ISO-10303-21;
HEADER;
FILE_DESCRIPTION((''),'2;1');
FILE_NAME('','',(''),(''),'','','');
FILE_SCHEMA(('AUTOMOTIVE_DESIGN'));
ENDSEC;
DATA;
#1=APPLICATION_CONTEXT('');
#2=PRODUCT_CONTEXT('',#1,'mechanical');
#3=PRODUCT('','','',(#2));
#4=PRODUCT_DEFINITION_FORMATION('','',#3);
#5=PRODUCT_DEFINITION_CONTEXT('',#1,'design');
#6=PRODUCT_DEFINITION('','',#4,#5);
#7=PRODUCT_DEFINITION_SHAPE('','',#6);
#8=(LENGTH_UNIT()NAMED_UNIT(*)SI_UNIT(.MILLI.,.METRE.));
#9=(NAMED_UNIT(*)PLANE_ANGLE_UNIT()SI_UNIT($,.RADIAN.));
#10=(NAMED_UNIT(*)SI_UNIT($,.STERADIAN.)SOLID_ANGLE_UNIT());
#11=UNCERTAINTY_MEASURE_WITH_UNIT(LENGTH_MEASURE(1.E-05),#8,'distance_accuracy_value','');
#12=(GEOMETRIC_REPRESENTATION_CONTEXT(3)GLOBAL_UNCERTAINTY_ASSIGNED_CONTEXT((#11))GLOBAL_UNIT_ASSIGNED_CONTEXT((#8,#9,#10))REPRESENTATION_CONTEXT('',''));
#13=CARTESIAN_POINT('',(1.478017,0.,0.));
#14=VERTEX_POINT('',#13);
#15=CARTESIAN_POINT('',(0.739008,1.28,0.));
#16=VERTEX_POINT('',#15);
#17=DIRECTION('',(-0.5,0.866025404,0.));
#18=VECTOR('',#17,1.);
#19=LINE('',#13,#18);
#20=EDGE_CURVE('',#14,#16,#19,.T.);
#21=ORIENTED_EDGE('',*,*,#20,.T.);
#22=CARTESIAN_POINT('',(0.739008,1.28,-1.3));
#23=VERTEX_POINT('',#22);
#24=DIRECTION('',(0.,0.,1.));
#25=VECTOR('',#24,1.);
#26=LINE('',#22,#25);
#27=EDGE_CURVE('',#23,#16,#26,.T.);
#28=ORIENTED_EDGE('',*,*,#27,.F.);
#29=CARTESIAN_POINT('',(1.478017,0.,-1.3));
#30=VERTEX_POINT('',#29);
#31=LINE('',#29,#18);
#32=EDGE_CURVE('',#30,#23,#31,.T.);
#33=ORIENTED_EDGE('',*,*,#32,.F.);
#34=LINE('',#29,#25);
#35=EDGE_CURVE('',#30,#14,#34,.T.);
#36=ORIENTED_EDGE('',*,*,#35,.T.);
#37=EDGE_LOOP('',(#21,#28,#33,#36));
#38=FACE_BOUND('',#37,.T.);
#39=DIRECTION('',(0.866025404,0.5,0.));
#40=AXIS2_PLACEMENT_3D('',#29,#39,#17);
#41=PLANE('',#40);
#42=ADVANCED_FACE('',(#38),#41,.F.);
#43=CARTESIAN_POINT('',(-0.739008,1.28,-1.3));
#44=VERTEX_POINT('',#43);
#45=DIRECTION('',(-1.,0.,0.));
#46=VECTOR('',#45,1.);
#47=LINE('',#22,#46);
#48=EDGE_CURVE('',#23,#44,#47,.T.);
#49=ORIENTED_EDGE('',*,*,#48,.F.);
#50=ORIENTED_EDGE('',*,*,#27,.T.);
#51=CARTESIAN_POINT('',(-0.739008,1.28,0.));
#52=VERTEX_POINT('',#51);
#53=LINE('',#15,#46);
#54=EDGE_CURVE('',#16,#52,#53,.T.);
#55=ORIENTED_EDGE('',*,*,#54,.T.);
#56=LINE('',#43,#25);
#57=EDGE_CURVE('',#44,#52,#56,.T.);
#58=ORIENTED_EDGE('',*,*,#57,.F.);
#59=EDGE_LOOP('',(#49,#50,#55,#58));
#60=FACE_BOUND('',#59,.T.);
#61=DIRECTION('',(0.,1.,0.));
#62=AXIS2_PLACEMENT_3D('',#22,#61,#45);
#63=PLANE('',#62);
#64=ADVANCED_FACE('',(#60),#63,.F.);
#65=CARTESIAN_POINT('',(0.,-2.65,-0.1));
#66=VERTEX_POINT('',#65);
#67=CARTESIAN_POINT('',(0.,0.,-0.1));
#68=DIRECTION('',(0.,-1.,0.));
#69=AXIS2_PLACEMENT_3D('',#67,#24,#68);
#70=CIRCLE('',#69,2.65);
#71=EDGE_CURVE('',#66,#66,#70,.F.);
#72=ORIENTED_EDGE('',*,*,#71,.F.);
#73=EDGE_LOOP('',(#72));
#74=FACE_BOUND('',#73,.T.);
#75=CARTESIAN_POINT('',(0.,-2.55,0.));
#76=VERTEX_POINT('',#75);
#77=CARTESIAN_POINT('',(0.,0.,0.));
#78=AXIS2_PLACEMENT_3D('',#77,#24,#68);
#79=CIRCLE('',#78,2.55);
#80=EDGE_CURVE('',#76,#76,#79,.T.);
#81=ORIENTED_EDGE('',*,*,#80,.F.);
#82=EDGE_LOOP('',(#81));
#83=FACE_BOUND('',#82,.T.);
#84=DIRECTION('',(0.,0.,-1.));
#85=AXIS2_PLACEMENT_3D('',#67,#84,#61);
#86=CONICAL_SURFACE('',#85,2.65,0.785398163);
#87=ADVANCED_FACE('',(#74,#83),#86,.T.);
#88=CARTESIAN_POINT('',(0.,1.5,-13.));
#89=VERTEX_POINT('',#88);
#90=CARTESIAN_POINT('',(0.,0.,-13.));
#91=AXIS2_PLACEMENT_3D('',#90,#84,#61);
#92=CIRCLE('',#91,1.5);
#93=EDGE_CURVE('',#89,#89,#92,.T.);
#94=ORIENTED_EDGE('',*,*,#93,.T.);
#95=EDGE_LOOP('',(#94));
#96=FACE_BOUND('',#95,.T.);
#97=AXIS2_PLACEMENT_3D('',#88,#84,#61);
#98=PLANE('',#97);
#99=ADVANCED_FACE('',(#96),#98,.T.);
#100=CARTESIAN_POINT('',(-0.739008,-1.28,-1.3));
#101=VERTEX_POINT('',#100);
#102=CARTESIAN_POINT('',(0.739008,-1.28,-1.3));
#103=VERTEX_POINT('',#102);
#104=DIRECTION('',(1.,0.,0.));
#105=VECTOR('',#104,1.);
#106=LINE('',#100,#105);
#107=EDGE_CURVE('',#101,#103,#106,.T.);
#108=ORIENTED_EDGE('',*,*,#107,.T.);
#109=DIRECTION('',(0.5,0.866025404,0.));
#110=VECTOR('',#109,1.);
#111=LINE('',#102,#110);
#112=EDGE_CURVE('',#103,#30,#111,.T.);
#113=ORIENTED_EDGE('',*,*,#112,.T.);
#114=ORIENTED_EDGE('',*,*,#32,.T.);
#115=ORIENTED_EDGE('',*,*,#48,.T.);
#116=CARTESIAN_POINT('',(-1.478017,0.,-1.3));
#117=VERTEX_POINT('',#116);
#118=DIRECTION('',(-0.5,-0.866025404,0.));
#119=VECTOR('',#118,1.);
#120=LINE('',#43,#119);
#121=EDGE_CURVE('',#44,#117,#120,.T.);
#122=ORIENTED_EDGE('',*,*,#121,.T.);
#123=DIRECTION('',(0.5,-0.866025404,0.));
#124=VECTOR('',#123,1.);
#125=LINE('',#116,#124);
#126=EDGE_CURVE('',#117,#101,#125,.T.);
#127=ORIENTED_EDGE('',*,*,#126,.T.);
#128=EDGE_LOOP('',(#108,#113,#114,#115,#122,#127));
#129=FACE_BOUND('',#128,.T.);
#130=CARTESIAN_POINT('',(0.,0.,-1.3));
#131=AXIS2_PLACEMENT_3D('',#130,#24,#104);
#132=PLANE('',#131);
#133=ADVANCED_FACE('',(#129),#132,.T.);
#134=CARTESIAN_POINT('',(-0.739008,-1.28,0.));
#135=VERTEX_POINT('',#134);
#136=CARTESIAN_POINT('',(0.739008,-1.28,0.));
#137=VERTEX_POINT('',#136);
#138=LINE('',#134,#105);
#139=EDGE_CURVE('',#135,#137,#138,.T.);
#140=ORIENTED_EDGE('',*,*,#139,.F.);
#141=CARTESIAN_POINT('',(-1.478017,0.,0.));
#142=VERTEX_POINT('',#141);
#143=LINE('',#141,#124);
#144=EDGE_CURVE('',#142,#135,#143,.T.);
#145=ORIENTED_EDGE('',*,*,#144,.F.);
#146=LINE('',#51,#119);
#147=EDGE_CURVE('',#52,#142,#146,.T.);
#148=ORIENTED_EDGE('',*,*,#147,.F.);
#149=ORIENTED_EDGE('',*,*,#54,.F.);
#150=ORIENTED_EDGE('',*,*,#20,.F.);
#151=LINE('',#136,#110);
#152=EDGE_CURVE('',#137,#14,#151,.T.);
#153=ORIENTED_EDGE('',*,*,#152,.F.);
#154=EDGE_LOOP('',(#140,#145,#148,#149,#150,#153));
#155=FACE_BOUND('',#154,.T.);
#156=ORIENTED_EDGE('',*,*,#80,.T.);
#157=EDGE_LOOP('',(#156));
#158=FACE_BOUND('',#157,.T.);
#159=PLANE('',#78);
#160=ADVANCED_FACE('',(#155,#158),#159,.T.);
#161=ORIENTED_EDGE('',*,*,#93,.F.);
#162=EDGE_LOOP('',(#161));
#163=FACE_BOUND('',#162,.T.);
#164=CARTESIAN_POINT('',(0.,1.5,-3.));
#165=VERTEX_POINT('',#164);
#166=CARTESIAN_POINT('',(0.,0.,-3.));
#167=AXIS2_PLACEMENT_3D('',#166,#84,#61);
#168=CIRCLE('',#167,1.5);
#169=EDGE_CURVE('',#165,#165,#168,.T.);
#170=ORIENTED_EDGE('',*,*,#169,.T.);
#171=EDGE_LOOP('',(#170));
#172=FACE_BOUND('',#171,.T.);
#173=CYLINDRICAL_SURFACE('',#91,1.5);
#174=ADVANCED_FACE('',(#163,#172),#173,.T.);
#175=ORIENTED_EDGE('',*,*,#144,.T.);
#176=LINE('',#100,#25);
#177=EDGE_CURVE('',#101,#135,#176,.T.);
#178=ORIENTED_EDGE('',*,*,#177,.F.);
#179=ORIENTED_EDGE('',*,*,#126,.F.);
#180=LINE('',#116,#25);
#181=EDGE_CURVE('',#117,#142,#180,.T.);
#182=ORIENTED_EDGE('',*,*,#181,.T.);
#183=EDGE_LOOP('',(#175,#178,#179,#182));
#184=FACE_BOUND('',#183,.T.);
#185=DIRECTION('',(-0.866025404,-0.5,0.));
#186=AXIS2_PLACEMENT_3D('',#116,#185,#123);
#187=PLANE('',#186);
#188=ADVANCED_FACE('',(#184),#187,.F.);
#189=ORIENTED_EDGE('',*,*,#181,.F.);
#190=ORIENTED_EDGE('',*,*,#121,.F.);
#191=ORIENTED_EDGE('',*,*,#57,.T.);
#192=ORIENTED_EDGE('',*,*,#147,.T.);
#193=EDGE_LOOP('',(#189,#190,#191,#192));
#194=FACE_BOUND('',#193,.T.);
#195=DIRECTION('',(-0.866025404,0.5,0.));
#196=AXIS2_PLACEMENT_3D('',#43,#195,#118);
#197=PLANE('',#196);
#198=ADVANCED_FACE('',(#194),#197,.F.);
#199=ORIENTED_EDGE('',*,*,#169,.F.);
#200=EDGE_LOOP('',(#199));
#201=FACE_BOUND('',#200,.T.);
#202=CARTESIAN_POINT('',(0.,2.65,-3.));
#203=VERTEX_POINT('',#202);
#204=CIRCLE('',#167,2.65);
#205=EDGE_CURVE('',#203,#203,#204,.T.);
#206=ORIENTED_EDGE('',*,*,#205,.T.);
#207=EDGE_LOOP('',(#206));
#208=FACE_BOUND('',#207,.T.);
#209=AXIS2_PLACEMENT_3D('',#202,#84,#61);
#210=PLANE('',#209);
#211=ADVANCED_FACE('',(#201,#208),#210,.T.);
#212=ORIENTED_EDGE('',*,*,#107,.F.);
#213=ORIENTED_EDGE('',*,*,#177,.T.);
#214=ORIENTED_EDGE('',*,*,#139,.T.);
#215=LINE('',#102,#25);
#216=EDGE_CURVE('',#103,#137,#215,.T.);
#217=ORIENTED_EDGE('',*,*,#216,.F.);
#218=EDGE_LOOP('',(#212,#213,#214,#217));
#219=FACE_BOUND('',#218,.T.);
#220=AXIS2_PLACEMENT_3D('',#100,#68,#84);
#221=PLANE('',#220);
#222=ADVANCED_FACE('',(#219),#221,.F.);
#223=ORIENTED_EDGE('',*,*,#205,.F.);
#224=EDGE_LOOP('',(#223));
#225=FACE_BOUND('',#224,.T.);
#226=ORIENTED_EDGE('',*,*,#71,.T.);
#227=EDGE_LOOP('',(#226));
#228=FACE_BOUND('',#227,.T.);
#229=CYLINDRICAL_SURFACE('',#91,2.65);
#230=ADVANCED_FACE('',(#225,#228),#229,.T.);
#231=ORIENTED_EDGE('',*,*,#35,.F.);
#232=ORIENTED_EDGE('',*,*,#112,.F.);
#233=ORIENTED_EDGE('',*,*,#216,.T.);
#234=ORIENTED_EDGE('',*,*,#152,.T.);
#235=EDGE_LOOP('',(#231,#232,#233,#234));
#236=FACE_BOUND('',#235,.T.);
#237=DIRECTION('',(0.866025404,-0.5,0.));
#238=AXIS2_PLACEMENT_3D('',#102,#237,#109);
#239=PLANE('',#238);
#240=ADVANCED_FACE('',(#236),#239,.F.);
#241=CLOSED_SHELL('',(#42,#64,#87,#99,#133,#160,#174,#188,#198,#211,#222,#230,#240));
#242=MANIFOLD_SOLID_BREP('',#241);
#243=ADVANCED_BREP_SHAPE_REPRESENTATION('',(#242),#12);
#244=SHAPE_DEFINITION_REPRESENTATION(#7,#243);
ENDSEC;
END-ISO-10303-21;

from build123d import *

# Parameters (mm, degrees)
CUT_EXTRUDE_1_DEPTH = 1.3
CHAMFER_623_SIZE    = 0.1


with BuildPart() as part:
    # 草图1 → 旋转1 (revolve)
    with BuildSketch(Plane(origin=(0, 0, 0), x_dir=(0, 0, -1), z_dir=(1, 0, 0))):
        Polygon((0, 0), (0, 2.65), (3, 2.65), (3, 1.5), (13, 1.5), (13, 0), align=None)
    revolve(axis=Axis((0, 0, -13), (0, 0, 1)))

    # 草图2 → 切除-拉伸1 (cut)
    with BuildSketch(Plane.XY):
        Polygon((0.739008345, 1.28), (-0.739008345, 1.28), (-1.478016689, 0), (-0.739008345, -1.28), (0.739008345, -1.28), (1.478016689, 0), align=None)
    extrude(amount=-CUT_EXTRUDE_1_DEPTH, mode=Mode.SUBTRACT)

    # Chamfer 623
    chamfer_623_edges = [part.edges().sort_by_distance(p)[0] for p in [
        (0, -2.65, 0),
    ]]
    chamfer(chamfer_623_edges, length=CHAMFER_623_SIZE)


solid = part.part
